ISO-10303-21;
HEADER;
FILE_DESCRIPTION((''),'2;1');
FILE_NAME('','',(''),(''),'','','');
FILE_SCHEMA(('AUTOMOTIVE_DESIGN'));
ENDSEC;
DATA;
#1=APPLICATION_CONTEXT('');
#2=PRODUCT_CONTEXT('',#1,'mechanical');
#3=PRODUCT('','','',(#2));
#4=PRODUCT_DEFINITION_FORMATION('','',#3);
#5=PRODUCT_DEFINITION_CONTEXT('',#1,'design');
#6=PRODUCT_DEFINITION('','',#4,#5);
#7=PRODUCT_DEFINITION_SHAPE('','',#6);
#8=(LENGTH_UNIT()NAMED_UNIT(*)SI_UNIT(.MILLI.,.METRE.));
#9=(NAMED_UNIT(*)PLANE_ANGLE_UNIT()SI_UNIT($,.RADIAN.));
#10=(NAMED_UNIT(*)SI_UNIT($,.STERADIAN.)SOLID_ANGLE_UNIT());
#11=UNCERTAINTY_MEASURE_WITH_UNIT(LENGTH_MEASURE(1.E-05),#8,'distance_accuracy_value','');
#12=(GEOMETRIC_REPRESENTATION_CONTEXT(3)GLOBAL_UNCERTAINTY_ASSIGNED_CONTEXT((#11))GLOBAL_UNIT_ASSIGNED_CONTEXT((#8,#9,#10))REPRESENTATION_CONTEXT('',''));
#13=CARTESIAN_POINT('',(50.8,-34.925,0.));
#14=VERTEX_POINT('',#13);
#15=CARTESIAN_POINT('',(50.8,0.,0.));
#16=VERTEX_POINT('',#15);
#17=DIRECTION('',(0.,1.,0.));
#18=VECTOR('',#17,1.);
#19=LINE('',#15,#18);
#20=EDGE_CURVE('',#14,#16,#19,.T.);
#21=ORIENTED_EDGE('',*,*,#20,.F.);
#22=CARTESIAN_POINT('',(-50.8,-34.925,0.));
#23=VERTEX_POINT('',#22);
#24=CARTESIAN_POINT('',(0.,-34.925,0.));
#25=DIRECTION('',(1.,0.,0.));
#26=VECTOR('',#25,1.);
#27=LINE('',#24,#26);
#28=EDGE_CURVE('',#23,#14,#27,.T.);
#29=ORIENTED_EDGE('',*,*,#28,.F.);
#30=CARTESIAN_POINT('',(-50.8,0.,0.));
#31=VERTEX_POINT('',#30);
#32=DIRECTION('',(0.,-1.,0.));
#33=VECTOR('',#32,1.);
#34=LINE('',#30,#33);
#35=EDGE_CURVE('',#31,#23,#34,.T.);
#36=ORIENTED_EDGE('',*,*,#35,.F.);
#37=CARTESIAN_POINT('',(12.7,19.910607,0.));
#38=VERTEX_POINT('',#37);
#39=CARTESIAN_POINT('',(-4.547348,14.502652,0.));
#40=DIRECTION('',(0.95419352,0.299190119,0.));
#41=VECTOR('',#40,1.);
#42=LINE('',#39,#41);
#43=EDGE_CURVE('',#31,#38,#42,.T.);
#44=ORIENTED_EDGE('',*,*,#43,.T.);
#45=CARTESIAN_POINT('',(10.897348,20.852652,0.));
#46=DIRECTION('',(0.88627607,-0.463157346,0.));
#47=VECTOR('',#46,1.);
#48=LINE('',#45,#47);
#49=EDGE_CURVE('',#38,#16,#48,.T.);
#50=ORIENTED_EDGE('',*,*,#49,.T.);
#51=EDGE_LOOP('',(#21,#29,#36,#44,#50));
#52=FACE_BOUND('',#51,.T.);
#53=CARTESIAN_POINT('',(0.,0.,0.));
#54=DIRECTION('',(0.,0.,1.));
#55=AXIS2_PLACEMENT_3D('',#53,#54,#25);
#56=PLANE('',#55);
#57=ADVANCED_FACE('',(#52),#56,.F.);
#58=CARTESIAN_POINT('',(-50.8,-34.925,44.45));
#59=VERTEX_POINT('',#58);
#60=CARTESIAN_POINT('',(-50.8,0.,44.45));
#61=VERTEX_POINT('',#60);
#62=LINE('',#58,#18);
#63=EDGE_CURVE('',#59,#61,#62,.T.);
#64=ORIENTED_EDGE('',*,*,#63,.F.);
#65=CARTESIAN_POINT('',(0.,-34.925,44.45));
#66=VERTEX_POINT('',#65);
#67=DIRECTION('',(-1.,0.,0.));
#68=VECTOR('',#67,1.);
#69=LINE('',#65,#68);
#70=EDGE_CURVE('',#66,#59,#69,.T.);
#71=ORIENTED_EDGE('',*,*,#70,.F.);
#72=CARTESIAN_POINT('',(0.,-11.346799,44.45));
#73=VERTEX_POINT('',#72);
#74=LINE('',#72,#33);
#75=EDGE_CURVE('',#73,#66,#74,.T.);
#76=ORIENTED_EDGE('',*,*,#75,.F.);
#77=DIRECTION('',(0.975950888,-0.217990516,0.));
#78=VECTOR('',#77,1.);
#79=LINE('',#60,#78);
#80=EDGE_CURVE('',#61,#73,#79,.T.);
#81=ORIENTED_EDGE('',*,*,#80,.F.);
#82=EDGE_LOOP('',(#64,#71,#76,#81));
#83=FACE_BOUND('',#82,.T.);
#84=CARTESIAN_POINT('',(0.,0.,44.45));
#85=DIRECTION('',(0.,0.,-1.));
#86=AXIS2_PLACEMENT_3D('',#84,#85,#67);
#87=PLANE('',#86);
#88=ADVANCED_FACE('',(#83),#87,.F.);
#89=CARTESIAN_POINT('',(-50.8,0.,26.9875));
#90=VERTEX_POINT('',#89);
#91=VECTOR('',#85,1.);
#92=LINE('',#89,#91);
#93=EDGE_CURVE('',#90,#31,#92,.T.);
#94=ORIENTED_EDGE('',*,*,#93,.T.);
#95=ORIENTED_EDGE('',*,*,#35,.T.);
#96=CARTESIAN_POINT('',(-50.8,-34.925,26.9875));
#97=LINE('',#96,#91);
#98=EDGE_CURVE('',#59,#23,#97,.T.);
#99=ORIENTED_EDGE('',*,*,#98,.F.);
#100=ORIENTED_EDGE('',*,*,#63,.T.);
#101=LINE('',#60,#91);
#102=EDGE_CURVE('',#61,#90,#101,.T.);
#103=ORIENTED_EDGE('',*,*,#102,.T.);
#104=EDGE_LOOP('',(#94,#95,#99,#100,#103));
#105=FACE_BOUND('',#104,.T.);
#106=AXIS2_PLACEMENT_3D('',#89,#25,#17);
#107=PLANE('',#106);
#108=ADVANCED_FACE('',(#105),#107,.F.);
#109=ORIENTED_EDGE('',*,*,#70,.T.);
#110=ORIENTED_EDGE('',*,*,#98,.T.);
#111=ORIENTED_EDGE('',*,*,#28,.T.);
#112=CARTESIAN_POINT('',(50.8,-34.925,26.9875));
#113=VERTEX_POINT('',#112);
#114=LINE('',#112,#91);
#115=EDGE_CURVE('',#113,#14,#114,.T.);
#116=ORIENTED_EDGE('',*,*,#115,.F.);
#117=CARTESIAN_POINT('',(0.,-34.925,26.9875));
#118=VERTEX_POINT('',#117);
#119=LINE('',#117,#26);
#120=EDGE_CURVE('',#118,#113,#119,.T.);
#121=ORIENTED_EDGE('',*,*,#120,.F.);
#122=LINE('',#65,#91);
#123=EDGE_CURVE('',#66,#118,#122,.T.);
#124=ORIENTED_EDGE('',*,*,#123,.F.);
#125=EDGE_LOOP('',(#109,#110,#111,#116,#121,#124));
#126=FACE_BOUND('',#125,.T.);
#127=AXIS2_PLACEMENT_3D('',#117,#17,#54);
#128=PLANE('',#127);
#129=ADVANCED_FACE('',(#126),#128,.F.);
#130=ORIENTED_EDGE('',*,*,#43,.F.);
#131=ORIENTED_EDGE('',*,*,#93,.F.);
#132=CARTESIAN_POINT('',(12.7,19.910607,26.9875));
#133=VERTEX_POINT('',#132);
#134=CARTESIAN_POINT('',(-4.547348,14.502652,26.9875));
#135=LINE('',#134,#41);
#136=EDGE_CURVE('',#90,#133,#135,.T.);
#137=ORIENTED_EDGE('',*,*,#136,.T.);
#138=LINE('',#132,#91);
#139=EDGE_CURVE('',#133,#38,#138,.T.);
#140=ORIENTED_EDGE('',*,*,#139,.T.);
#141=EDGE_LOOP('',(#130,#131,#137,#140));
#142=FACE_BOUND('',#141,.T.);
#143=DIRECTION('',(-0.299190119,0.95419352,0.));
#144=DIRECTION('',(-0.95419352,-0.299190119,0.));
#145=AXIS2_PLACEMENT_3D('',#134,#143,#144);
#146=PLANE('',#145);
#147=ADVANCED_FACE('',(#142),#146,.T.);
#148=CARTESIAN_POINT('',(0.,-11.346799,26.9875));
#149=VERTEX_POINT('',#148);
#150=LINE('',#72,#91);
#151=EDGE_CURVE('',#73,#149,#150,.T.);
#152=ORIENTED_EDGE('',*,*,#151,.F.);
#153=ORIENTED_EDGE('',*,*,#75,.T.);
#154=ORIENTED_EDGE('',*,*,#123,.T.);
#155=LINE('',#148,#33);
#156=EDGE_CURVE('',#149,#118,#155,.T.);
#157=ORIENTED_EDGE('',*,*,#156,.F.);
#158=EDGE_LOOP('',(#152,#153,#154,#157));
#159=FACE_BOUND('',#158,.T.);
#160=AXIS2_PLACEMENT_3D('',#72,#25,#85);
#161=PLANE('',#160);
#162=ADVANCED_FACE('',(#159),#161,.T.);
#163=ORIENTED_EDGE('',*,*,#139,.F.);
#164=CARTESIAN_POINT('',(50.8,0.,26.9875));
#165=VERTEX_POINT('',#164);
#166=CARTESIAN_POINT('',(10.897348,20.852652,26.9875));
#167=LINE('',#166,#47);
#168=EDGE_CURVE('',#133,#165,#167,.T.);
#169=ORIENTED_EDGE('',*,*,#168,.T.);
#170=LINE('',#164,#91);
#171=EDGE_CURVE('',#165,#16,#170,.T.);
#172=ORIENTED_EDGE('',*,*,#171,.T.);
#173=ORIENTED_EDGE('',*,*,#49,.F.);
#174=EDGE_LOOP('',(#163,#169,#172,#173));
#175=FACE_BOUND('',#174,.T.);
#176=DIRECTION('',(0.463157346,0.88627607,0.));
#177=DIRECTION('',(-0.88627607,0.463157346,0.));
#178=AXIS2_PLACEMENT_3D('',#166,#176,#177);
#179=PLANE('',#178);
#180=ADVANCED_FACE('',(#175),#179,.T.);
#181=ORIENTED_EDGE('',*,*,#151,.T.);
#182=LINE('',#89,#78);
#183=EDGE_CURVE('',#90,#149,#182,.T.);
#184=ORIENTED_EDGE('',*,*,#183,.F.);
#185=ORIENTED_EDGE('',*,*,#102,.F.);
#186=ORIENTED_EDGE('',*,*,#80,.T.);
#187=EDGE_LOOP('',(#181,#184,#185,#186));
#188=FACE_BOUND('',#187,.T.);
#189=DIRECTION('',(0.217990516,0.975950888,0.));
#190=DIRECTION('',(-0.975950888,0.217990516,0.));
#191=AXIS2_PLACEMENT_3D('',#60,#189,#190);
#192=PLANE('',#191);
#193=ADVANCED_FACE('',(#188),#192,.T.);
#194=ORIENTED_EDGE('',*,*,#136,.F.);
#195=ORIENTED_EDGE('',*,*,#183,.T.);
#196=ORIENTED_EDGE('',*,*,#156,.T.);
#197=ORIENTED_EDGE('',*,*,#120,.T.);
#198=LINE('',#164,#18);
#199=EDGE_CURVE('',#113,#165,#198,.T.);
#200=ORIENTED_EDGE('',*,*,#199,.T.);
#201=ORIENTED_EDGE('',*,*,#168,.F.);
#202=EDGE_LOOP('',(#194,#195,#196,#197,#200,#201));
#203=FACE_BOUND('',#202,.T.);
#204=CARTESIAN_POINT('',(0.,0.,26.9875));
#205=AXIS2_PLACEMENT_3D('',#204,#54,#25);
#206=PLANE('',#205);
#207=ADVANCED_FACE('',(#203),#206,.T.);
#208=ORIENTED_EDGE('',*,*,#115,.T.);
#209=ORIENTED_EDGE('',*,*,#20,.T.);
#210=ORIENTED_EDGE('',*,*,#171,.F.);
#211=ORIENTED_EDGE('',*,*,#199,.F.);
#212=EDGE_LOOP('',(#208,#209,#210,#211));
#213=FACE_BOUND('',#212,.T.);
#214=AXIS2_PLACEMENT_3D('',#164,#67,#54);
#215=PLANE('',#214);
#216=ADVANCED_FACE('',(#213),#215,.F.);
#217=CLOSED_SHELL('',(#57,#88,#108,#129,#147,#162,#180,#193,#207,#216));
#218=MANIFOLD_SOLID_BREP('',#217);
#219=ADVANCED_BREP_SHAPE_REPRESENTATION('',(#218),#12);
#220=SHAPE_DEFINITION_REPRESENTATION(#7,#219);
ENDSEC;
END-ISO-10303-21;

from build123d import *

# Parameters (mm, degrees)
SKETCH1_W           = 101.6
SKETCH1_H           = 34.925
BOSS_EXTRUDE2_DEPTH = 26.9875
BOSS_EXTRUDE3_DEPTH = 17.4625


with BuildPart() as part:
    # Sketch1 → Boss-Extrude2 (new body)
    with BuildSketch(Plane.XY):
        Polygon((12.7, 19.910607408), (50.8, 0), (-50.8, 0), align=None)
        with Locations((0, -17.4625)):
            Rectangle(SKETCH1_W, SKETCH1_H)
    extrude(amount=BOSS_EXTRUDE2_DEPTH)

    # Sketch3 → Boss-Extrude3 (add)
    with BuildSketch(Plane.XY.offset(26.9875)):
        Polygon((-50.8, 0), (0, -11.346798656), (0, -34.925), (-50.8, -34.925), align=None)
    extrude(amount=BOSS_EXTRUDE3_DEPTH)


solid = part.part
